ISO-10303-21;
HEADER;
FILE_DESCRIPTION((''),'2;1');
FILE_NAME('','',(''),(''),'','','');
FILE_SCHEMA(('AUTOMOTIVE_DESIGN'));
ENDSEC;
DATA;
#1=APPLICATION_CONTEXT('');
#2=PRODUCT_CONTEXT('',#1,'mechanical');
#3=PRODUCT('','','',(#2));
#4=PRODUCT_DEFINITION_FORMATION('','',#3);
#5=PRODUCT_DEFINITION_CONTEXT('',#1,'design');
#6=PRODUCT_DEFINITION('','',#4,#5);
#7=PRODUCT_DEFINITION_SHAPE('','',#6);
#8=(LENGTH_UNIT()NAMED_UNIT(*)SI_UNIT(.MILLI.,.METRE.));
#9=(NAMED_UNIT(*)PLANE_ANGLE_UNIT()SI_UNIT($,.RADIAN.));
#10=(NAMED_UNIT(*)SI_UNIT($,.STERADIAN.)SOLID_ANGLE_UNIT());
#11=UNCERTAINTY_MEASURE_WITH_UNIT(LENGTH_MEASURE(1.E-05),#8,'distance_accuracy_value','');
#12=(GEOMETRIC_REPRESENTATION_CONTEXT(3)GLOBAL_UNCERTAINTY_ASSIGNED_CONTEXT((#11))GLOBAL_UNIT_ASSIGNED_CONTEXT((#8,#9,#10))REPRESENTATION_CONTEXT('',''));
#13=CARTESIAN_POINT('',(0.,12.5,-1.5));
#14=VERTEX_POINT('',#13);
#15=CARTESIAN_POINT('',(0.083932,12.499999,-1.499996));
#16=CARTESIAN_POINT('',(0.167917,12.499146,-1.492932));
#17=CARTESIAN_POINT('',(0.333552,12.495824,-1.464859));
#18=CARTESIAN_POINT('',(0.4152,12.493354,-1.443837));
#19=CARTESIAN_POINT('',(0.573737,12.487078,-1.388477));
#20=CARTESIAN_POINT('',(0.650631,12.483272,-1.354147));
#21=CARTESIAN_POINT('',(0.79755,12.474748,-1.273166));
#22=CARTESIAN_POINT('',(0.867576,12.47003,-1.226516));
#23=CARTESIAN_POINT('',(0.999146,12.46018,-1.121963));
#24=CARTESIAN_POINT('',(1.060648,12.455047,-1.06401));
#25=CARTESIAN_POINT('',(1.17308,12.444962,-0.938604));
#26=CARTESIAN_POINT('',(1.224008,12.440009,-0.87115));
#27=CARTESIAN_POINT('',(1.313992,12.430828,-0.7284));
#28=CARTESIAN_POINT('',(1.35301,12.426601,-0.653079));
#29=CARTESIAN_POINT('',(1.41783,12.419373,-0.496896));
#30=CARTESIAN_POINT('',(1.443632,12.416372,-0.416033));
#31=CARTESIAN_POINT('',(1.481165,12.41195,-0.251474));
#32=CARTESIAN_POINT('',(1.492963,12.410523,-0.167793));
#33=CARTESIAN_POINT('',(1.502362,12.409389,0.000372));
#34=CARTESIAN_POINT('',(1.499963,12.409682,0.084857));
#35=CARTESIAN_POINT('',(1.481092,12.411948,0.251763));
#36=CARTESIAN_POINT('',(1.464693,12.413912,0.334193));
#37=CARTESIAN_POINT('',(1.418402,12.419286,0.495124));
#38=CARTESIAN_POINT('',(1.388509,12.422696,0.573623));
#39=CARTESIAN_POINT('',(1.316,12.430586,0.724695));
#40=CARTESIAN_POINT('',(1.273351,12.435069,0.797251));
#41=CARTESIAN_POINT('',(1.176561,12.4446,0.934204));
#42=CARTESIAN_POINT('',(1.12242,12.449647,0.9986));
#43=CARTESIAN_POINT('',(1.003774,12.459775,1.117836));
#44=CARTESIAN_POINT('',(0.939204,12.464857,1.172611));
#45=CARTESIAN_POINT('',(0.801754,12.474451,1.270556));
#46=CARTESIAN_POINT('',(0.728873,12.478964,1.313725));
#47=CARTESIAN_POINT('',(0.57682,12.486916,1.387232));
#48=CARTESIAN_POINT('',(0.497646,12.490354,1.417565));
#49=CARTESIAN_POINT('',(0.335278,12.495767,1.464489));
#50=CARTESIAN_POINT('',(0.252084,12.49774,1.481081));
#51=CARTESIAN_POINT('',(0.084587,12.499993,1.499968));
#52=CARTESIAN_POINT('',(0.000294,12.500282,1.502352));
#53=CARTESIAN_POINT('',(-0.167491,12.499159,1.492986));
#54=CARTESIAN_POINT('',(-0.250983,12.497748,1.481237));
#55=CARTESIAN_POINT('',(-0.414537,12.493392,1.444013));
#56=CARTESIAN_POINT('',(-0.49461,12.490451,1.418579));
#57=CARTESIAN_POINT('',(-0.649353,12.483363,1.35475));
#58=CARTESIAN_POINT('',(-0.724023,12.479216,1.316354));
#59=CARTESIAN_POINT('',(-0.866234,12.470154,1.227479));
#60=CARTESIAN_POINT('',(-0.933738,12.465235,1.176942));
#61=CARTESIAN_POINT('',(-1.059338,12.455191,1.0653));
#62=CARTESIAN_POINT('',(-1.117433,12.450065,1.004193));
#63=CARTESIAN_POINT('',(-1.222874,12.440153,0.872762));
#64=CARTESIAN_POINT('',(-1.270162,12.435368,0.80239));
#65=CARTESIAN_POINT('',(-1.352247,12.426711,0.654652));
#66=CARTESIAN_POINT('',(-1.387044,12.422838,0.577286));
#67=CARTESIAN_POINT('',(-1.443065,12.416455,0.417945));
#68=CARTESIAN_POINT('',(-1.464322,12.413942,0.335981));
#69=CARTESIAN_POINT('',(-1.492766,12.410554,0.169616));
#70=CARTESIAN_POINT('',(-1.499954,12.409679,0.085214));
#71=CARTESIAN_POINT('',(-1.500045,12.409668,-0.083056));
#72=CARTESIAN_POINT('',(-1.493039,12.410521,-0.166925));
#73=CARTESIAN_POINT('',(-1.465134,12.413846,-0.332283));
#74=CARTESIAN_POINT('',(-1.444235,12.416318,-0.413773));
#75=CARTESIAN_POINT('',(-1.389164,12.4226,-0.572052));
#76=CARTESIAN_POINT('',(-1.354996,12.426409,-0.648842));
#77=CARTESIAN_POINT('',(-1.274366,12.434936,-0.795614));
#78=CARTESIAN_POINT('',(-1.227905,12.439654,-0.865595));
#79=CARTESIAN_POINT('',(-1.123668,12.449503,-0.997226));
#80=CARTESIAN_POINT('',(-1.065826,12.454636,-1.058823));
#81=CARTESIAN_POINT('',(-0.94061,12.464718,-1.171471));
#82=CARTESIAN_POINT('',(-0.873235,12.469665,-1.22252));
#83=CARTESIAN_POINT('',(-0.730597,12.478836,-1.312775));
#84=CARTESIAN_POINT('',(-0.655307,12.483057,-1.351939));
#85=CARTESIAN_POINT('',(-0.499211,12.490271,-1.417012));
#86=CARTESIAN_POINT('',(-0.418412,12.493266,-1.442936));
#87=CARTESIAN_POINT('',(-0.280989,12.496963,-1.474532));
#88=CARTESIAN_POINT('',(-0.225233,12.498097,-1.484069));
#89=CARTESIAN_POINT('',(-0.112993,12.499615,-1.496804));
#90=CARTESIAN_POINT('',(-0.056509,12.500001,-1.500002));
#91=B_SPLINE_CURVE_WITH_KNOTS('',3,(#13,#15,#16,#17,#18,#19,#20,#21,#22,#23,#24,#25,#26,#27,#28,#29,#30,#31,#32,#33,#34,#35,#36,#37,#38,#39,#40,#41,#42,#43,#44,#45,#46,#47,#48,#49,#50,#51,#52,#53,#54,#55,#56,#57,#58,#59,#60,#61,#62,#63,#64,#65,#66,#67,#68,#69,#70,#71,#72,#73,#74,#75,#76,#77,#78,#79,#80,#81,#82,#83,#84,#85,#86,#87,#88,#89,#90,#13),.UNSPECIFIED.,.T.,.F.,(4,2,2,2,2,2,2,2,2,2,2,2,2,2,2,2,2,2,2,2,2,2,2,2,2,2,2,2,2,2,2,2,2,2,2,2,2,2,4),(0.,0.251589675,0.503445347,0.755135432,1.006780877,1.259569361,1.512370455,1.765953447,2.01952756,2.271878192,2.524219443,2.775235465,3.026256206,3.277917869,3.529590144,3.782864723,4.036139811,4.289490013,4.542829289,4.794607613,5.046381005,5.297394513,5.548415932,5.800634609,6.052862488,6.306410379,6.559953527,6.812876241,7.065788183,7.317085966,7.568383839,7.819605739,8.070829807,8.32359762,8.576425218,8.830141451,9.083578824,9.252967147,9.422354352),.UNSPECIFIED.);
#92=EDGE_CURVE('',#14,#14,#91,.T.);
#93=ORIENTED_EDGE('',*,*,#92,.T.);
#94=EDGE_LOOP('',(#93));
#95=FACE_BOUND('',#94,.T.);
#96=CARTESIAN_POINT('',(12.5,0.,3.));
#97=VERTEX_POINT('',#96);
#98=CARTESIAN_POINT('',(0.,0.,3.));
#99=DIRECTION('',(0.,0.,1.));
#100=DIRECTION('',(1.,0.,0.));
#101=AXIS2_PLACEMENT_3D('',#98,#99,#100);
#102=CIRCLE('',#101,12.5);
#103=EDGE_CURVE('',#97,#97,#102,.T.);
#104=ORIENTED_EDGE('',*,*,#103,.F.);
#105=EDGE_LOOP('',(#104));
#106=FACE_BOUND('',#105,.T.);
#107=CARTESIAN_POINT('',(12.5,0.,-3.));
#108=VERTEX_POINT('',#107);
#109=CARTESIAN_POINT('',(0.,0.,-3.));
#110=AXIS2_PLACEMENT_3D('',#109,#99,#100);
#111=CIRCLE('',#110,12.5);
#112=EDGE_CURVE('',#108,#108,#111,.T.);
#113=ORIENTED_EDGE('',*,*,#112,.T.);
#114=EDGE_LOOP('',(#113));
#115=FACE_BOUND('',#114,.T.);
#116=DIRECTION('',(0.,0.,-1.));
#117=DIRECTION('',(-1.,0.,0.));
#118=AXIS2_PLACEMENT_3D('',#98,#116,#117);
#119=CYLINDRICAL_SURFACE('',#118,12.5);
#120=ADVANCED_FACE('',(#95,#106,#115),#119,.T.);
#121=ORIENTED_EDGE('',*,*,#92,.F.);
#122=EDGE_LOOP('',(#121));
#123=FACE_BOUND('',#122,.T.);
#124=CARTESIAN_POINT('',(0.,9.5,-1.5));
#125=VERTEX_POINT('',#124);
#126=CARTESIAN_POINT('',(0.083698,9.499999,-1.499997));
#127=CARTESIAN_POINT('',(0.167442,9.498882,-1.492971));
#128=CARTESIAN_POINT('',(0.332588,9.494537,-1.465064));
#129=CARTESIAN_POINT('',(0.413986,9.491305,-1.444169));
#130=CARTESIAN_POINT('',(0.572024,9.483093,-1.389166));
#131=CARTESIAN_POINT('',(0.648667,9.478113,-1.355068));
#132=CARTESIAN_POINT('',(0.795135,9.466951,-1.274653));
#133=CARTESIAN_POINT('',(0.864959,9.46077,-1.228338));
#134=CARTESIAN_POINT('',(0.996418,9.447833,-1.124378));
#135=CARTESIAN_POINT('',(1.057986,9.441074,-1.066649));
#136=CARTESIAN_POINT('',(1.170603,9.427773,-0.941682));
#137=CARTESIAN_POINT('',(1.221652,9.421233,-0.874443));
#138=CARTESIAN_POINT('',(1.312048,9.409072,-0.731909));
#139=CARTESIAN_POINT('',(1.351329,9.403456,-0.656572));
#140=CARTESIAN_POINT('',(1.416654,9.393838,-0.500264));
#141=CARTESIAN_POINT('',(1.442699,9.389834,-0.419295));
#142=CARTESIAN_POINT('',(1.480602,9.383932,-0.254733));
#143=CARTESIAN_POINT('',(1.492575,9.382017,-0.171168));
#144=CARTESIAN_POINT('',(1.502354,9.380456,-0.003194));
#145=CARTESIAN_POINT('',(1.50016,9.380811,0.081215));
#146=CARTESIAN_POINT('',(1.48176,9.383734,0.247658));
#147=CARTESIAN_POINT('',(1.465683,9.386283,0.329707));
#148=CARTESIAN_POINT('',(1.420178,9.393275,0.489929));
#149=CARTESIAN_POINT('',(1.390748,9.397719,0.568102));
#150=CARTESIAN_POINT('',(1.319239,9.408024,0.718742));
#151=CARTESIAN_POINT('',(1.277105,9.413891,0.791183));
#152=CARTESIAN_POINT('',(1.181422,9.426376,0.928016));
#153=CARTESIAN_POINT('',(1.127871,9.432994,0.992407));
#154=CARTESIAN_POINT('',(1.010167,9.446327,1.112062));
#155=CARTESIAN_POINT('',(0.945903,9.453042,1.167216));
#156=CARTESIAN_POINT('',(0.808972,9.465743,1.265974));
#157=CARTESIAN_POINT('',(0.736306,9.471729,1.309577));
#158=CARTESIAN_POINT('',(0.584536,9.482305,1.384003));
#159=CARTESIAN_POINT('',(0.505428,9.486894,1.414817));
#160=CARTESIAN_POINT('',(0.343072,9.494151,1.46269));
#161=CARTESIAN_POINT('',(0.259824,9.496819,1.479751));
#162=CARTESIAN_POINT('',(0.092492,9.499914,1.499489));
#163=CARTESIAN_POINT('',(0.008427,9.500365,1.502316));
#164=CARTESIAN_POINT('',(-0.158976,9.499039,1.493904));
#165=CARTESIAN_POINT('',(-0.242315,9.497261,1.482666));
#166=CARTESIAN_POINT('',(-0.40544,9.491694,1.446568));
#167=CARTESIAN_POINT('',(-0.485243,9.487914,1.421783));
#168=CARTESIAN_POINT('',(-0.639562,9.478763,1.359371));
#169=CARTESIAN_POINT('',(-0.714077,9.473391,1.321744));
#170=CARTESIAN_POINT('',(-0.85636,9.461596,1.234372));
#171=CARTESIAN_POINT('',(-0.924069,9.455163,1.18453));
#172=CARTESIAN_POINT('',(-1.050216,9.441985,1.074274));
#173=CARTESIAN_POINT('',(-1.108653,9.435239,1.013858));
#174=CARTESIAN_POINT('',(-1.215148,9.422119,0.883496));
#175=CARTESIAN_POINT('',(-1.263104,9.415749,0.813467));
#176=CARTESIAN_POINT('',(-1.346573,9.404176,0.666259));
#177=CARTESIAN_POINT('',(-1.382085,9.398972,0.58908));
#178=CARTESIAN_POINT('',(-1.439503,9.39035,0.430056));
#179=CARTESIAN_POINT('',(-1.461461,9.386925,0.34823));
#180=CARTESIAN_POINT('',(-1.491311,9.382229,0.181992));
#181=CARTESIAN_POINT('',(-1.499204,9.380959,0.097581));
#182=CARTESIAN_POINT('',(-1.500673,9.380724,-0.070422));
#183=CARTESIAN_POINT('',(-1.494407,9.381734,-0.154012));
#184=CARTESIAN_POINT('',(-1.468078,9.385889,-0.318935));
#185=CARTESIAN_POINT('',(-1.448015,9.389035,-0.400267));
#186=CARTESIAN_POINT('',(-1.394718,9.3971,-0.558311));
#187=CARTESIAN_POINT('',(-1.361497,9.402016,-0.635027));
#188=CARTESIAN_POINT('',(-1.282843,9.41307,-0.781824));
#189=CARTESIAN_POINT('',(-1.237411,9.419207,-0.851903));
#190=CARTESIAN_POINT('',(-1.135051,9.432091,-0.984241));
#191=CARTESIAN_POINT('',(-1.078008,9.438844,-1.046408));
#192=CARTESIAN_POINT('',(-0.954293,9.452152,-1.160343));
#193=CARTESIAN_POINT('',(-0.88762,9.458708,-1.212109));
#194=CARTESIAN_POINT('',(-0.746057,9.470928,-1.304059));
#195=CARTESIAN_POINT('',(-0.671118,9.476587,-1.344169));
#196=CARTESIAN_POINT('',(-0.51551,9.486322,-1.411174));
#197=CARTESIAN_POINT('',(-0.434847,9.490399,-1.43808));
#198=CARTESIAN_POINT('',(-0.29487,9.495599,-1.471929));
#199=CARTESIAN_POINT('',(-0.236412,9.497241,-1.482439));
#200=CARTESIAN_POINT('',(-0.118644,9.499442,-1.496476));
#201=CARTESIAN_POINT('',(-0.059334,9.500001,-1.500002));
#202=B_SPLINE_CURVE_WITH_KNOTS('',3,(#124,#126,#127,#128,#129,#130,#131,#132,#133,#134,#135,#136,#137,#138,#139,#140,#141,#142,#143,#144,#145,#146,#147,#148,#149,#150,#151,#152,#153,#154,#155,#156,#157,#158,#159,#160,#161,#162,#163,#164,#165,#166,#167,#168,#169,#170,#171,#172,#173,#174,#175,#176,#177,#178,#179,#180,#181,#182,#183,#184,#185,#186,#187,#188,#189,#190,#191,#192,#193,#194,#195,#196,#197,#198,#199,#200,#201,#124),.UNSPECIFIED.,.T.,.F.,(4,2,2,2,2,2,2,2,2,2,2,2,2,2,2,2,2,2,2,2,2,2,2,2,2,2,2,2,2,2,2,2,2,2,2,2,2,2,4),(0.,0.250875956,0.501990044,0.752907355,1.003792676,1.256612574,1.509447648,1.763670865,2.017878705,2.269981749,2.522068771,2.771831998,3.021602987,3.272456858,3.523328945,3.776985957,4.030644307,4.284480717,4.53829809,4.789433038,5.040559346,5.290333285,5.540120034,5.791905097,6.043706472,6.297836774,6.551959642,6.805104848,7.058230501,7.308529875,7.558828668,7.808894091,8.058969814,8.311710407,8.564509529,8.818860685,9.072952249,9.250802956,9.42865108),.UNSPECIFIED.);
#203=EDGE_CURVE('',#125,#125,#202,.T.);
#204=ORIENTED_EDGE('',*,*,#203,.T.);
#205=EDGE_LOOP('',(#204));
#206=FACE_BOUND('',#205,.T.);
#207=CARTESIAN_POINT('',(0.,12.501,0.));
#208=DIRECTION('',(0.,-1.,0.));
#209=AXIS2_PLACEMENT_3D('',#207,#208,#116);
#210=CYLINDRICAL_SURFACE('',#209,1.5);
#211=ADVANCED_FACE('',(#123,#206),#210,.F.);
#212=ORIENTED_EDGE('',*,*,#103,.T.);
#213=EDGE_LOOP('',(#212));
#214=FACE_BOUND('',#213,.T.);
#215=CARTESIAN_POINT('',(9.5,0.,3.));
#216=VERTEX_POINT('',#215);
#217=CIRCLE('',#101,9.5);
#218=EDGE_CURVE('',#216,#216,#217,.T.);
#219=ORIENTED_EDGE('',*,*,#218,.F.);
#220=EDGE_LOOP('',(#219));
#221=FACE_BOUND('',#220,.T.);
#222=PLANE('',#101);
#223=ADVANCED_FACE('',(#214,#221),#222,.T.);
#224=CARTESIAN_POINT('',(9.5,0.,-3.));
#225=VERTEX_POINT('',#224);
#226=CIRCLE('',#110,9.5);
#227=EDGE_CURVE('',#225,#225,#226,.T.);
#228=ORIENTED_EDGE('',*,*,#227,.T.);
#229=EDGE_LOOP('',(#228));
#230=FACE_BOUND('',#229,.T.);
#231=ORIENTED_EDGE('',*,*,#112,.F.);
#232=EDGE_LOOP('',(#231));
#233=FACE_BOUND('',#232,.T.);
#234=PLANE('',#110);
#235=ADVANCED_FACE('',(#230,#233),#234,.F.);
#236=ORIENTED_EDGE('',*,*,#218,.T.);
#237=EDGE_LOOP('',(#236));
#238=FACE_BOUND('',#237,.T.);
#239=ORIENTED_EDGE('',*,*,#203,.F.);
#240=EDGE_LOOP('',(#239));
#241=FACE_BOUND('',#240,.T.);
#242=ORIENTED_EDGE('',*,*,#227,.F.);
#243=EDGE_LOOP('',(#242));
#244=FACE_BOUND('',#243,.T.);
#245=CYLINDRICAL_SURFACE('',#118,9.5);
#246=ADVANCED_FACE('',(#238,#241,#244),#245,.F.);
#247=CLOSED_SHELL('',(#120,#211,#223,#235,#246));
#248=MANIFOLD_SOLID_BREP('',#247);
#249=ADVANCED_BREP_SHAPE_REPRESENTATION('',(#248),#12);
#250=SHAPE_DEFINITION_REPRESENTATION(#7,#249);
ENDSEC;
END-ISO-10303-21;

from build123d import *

# Parameters (mm, degrees)
SKETCH1_R               = 12.5
SKETCH1_R_2             = 9.5
BOSS_EXTRUDE1_DEPTH     = 3
CUT_EXTRUDE1_REACH      = 19.93
CUT_EXTRUDE1_END_RADIUS = 12.5
SKETCH2_R               = 1.5


with BuildPart() as part:
    # Sketch1 → Boss-Extrude1 (new, symmetric)
    with BuildSketch(Plane.XY):
        Circle(SKETCH1_R)
        Circle(SKETCH1_R_2, mode=Mode.SUBTRACT)
    extrude(amount=BOSS_EXTRUDE1_DEPTH, both=True)

    # Cut-Extrude1: up to this cylinder (the profile starts inside it)
    cut_extrude1_end = Plane(origin=(0, 0, 0), z_dir=(0, 0, -1)) * Cylinder(CUT_EXTRUDE1_END_RADIUS, 65.86, mode=Mode.PRIVATE)
    # Sketch2 → Cut-Extrude1 (cut, up to the surface)
    with BuildSketch(Plane(origin=(0, 0, 0), x_dir=(1, 0, 0), z_dir=(0, 1, 0)), mode=Mode.PRIVATE) as cut_extrude1_sk1:
        with Locations(Location((0, 0, 0), (0, 0, 90))):
            Circle(SKETCH2_R)
    cut_extrude1_tool1 = extrude(cut_extrude1_sk1.sketch, amount=CUT_EXTRUDE1_REACH, mode=Mode.PRIVATE) & cut_extrude1_end
    add(cut_extrude1_tool1.solids().sort_by_distance((0, 0, 0))[0], mode=Mode.SUBTRACT)


solid = part.part
